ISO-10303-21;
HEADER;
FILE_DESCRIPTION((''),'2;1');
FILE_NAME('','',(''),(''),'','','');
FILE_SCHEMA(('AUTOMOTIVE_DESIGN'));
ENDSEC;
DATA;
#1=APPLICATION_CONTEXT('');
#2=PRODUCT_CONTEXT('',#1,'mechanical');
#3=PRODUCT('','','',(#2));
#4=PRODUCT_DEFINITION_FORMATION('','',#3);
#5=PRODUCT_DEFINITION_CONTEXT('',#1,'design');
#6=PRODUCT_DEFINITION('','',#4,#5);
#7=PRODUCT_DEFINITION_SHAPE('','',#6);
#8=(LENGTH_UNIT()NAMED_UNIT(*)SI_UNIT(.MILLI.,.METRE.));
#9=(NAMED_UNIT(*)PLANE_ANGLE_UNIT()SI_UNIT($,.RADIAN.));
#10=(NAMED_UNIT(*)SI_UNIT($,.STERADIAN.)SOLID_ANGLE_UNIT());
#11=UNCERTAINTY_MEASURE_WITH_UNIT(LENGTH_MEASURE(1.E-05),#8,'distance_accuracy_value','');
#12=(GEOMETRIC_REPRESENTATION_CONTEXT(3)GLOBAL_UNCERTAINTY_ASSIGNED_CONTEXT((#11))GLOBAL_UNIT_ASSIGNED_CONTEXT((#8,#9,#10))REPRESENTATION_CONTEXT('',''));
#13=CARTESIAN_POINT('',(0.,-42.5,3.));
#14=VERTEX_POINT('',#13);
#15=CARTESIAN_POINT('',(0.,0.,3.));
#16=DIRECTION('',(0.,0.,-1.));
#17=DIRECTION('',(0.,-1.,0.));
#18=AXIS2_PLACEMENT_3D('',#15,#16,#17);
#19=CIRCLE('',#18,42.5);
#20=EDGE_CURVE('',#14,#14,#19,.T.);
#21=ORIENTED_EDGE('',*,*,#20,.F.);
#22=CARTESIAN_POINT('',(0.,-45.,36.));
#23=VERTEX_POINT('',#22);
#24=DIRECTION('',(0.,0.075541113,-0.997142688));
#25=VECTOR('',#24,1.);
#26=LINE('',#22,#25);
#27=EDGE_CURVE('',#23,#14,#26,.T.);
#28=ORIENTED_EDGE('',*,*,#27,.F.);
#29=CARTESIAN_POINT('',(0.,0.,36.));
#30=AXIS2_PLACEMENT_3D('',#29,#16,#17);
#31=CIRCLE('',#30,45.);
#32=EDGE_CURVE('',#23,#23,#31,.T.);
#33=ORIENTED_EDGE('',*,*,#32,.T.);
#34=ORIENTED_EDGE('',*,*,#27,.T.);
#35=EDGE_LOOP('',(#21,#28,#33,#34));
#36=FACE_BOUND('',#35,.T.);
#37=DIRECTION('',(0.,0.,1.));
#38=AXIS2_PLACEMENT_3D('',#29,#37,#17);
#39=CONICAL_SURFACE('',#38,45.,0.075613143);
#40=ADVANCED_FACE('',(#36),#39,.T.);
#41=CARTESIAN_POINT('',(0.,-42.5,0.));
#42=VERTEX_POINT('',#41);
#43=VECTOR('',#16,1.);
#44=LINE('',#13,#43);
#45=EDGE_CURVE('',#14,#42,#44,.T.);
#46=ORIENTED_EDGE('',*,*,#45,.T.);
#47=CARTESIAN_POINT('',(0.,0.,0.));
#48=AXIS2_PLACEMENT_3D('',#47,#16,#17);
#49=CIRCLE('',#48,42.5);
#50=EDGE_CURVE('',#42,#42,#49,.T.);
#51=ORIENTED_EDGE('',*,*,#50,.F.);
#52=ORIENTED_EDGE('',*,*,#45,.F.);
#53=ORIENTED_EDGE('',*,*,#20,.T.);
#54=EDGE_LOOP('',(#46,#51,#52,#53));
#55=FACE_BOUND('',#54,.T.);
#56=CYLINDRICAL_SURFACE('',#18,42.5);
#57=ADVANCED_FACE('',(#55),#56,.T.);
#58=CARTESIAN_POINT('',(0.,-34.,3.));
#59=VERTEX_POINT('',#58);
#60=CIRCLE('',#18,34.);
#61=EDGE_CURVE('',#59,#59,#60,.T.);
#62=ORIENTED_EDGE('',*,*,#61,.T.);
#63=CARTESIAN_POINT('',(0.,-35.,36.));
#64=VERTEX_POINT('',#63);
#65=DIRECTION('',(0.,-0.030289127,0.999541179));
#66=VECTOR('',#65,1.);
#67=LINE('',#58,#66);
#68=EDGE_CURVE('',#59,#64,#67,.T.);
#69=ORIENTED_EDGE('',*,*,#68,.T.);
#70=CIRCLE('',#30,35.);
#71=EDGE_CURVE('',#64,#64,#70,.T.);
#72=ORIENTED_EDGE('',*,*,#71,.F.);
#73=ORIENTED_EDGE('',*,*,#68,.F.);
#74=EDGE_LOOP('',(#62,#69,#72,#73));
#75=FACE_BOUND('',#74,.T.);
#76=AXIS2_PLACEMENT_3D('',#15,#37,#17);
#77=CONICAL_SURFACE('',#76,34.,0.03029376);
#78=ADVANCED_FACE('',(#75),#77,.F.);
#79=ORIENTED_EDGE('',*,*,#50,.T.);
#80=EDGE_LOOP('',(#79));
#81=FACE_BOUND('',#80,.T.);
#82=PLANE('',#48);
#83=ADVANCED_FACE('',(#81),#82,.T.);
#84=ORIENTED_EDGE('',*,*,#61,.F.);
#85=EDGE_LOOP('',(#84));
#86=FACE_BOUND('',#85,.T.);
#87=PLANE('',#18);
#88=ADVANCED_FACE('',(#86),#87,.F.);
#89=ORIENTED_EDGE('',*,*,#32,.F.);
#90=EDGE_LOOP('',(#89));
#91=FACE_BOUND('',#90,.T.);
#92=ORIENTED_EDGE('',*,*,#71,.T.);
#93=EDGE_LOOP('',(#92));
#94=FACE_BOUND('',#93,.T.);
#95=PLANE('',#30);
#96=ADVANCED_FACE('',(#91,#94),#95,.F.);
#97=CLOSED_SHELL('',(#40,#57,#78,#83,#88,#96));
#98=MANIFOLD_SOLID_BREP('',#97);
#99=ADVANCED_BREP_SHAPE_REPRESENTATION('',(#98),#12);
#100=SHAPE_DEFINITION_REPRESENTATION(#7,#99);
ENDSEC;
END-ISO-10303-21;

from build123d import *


with BuildPart() as f1:
    # F0 (on Right) → F1 (revolve)
    with BuildSketch(Plane.YZ):
        Polygon((-35, 36), (-45, 36), (-42.5, 3), (-34, 3), align=None)
        Polygon((-34, 3), (-42.5, 3), (-42.5, 0), (0, 0), (0, 3), align=None)
    revolve(axis=Axis((0, 0, 1.5), (0, 0, -1)))


solid = f1.part
